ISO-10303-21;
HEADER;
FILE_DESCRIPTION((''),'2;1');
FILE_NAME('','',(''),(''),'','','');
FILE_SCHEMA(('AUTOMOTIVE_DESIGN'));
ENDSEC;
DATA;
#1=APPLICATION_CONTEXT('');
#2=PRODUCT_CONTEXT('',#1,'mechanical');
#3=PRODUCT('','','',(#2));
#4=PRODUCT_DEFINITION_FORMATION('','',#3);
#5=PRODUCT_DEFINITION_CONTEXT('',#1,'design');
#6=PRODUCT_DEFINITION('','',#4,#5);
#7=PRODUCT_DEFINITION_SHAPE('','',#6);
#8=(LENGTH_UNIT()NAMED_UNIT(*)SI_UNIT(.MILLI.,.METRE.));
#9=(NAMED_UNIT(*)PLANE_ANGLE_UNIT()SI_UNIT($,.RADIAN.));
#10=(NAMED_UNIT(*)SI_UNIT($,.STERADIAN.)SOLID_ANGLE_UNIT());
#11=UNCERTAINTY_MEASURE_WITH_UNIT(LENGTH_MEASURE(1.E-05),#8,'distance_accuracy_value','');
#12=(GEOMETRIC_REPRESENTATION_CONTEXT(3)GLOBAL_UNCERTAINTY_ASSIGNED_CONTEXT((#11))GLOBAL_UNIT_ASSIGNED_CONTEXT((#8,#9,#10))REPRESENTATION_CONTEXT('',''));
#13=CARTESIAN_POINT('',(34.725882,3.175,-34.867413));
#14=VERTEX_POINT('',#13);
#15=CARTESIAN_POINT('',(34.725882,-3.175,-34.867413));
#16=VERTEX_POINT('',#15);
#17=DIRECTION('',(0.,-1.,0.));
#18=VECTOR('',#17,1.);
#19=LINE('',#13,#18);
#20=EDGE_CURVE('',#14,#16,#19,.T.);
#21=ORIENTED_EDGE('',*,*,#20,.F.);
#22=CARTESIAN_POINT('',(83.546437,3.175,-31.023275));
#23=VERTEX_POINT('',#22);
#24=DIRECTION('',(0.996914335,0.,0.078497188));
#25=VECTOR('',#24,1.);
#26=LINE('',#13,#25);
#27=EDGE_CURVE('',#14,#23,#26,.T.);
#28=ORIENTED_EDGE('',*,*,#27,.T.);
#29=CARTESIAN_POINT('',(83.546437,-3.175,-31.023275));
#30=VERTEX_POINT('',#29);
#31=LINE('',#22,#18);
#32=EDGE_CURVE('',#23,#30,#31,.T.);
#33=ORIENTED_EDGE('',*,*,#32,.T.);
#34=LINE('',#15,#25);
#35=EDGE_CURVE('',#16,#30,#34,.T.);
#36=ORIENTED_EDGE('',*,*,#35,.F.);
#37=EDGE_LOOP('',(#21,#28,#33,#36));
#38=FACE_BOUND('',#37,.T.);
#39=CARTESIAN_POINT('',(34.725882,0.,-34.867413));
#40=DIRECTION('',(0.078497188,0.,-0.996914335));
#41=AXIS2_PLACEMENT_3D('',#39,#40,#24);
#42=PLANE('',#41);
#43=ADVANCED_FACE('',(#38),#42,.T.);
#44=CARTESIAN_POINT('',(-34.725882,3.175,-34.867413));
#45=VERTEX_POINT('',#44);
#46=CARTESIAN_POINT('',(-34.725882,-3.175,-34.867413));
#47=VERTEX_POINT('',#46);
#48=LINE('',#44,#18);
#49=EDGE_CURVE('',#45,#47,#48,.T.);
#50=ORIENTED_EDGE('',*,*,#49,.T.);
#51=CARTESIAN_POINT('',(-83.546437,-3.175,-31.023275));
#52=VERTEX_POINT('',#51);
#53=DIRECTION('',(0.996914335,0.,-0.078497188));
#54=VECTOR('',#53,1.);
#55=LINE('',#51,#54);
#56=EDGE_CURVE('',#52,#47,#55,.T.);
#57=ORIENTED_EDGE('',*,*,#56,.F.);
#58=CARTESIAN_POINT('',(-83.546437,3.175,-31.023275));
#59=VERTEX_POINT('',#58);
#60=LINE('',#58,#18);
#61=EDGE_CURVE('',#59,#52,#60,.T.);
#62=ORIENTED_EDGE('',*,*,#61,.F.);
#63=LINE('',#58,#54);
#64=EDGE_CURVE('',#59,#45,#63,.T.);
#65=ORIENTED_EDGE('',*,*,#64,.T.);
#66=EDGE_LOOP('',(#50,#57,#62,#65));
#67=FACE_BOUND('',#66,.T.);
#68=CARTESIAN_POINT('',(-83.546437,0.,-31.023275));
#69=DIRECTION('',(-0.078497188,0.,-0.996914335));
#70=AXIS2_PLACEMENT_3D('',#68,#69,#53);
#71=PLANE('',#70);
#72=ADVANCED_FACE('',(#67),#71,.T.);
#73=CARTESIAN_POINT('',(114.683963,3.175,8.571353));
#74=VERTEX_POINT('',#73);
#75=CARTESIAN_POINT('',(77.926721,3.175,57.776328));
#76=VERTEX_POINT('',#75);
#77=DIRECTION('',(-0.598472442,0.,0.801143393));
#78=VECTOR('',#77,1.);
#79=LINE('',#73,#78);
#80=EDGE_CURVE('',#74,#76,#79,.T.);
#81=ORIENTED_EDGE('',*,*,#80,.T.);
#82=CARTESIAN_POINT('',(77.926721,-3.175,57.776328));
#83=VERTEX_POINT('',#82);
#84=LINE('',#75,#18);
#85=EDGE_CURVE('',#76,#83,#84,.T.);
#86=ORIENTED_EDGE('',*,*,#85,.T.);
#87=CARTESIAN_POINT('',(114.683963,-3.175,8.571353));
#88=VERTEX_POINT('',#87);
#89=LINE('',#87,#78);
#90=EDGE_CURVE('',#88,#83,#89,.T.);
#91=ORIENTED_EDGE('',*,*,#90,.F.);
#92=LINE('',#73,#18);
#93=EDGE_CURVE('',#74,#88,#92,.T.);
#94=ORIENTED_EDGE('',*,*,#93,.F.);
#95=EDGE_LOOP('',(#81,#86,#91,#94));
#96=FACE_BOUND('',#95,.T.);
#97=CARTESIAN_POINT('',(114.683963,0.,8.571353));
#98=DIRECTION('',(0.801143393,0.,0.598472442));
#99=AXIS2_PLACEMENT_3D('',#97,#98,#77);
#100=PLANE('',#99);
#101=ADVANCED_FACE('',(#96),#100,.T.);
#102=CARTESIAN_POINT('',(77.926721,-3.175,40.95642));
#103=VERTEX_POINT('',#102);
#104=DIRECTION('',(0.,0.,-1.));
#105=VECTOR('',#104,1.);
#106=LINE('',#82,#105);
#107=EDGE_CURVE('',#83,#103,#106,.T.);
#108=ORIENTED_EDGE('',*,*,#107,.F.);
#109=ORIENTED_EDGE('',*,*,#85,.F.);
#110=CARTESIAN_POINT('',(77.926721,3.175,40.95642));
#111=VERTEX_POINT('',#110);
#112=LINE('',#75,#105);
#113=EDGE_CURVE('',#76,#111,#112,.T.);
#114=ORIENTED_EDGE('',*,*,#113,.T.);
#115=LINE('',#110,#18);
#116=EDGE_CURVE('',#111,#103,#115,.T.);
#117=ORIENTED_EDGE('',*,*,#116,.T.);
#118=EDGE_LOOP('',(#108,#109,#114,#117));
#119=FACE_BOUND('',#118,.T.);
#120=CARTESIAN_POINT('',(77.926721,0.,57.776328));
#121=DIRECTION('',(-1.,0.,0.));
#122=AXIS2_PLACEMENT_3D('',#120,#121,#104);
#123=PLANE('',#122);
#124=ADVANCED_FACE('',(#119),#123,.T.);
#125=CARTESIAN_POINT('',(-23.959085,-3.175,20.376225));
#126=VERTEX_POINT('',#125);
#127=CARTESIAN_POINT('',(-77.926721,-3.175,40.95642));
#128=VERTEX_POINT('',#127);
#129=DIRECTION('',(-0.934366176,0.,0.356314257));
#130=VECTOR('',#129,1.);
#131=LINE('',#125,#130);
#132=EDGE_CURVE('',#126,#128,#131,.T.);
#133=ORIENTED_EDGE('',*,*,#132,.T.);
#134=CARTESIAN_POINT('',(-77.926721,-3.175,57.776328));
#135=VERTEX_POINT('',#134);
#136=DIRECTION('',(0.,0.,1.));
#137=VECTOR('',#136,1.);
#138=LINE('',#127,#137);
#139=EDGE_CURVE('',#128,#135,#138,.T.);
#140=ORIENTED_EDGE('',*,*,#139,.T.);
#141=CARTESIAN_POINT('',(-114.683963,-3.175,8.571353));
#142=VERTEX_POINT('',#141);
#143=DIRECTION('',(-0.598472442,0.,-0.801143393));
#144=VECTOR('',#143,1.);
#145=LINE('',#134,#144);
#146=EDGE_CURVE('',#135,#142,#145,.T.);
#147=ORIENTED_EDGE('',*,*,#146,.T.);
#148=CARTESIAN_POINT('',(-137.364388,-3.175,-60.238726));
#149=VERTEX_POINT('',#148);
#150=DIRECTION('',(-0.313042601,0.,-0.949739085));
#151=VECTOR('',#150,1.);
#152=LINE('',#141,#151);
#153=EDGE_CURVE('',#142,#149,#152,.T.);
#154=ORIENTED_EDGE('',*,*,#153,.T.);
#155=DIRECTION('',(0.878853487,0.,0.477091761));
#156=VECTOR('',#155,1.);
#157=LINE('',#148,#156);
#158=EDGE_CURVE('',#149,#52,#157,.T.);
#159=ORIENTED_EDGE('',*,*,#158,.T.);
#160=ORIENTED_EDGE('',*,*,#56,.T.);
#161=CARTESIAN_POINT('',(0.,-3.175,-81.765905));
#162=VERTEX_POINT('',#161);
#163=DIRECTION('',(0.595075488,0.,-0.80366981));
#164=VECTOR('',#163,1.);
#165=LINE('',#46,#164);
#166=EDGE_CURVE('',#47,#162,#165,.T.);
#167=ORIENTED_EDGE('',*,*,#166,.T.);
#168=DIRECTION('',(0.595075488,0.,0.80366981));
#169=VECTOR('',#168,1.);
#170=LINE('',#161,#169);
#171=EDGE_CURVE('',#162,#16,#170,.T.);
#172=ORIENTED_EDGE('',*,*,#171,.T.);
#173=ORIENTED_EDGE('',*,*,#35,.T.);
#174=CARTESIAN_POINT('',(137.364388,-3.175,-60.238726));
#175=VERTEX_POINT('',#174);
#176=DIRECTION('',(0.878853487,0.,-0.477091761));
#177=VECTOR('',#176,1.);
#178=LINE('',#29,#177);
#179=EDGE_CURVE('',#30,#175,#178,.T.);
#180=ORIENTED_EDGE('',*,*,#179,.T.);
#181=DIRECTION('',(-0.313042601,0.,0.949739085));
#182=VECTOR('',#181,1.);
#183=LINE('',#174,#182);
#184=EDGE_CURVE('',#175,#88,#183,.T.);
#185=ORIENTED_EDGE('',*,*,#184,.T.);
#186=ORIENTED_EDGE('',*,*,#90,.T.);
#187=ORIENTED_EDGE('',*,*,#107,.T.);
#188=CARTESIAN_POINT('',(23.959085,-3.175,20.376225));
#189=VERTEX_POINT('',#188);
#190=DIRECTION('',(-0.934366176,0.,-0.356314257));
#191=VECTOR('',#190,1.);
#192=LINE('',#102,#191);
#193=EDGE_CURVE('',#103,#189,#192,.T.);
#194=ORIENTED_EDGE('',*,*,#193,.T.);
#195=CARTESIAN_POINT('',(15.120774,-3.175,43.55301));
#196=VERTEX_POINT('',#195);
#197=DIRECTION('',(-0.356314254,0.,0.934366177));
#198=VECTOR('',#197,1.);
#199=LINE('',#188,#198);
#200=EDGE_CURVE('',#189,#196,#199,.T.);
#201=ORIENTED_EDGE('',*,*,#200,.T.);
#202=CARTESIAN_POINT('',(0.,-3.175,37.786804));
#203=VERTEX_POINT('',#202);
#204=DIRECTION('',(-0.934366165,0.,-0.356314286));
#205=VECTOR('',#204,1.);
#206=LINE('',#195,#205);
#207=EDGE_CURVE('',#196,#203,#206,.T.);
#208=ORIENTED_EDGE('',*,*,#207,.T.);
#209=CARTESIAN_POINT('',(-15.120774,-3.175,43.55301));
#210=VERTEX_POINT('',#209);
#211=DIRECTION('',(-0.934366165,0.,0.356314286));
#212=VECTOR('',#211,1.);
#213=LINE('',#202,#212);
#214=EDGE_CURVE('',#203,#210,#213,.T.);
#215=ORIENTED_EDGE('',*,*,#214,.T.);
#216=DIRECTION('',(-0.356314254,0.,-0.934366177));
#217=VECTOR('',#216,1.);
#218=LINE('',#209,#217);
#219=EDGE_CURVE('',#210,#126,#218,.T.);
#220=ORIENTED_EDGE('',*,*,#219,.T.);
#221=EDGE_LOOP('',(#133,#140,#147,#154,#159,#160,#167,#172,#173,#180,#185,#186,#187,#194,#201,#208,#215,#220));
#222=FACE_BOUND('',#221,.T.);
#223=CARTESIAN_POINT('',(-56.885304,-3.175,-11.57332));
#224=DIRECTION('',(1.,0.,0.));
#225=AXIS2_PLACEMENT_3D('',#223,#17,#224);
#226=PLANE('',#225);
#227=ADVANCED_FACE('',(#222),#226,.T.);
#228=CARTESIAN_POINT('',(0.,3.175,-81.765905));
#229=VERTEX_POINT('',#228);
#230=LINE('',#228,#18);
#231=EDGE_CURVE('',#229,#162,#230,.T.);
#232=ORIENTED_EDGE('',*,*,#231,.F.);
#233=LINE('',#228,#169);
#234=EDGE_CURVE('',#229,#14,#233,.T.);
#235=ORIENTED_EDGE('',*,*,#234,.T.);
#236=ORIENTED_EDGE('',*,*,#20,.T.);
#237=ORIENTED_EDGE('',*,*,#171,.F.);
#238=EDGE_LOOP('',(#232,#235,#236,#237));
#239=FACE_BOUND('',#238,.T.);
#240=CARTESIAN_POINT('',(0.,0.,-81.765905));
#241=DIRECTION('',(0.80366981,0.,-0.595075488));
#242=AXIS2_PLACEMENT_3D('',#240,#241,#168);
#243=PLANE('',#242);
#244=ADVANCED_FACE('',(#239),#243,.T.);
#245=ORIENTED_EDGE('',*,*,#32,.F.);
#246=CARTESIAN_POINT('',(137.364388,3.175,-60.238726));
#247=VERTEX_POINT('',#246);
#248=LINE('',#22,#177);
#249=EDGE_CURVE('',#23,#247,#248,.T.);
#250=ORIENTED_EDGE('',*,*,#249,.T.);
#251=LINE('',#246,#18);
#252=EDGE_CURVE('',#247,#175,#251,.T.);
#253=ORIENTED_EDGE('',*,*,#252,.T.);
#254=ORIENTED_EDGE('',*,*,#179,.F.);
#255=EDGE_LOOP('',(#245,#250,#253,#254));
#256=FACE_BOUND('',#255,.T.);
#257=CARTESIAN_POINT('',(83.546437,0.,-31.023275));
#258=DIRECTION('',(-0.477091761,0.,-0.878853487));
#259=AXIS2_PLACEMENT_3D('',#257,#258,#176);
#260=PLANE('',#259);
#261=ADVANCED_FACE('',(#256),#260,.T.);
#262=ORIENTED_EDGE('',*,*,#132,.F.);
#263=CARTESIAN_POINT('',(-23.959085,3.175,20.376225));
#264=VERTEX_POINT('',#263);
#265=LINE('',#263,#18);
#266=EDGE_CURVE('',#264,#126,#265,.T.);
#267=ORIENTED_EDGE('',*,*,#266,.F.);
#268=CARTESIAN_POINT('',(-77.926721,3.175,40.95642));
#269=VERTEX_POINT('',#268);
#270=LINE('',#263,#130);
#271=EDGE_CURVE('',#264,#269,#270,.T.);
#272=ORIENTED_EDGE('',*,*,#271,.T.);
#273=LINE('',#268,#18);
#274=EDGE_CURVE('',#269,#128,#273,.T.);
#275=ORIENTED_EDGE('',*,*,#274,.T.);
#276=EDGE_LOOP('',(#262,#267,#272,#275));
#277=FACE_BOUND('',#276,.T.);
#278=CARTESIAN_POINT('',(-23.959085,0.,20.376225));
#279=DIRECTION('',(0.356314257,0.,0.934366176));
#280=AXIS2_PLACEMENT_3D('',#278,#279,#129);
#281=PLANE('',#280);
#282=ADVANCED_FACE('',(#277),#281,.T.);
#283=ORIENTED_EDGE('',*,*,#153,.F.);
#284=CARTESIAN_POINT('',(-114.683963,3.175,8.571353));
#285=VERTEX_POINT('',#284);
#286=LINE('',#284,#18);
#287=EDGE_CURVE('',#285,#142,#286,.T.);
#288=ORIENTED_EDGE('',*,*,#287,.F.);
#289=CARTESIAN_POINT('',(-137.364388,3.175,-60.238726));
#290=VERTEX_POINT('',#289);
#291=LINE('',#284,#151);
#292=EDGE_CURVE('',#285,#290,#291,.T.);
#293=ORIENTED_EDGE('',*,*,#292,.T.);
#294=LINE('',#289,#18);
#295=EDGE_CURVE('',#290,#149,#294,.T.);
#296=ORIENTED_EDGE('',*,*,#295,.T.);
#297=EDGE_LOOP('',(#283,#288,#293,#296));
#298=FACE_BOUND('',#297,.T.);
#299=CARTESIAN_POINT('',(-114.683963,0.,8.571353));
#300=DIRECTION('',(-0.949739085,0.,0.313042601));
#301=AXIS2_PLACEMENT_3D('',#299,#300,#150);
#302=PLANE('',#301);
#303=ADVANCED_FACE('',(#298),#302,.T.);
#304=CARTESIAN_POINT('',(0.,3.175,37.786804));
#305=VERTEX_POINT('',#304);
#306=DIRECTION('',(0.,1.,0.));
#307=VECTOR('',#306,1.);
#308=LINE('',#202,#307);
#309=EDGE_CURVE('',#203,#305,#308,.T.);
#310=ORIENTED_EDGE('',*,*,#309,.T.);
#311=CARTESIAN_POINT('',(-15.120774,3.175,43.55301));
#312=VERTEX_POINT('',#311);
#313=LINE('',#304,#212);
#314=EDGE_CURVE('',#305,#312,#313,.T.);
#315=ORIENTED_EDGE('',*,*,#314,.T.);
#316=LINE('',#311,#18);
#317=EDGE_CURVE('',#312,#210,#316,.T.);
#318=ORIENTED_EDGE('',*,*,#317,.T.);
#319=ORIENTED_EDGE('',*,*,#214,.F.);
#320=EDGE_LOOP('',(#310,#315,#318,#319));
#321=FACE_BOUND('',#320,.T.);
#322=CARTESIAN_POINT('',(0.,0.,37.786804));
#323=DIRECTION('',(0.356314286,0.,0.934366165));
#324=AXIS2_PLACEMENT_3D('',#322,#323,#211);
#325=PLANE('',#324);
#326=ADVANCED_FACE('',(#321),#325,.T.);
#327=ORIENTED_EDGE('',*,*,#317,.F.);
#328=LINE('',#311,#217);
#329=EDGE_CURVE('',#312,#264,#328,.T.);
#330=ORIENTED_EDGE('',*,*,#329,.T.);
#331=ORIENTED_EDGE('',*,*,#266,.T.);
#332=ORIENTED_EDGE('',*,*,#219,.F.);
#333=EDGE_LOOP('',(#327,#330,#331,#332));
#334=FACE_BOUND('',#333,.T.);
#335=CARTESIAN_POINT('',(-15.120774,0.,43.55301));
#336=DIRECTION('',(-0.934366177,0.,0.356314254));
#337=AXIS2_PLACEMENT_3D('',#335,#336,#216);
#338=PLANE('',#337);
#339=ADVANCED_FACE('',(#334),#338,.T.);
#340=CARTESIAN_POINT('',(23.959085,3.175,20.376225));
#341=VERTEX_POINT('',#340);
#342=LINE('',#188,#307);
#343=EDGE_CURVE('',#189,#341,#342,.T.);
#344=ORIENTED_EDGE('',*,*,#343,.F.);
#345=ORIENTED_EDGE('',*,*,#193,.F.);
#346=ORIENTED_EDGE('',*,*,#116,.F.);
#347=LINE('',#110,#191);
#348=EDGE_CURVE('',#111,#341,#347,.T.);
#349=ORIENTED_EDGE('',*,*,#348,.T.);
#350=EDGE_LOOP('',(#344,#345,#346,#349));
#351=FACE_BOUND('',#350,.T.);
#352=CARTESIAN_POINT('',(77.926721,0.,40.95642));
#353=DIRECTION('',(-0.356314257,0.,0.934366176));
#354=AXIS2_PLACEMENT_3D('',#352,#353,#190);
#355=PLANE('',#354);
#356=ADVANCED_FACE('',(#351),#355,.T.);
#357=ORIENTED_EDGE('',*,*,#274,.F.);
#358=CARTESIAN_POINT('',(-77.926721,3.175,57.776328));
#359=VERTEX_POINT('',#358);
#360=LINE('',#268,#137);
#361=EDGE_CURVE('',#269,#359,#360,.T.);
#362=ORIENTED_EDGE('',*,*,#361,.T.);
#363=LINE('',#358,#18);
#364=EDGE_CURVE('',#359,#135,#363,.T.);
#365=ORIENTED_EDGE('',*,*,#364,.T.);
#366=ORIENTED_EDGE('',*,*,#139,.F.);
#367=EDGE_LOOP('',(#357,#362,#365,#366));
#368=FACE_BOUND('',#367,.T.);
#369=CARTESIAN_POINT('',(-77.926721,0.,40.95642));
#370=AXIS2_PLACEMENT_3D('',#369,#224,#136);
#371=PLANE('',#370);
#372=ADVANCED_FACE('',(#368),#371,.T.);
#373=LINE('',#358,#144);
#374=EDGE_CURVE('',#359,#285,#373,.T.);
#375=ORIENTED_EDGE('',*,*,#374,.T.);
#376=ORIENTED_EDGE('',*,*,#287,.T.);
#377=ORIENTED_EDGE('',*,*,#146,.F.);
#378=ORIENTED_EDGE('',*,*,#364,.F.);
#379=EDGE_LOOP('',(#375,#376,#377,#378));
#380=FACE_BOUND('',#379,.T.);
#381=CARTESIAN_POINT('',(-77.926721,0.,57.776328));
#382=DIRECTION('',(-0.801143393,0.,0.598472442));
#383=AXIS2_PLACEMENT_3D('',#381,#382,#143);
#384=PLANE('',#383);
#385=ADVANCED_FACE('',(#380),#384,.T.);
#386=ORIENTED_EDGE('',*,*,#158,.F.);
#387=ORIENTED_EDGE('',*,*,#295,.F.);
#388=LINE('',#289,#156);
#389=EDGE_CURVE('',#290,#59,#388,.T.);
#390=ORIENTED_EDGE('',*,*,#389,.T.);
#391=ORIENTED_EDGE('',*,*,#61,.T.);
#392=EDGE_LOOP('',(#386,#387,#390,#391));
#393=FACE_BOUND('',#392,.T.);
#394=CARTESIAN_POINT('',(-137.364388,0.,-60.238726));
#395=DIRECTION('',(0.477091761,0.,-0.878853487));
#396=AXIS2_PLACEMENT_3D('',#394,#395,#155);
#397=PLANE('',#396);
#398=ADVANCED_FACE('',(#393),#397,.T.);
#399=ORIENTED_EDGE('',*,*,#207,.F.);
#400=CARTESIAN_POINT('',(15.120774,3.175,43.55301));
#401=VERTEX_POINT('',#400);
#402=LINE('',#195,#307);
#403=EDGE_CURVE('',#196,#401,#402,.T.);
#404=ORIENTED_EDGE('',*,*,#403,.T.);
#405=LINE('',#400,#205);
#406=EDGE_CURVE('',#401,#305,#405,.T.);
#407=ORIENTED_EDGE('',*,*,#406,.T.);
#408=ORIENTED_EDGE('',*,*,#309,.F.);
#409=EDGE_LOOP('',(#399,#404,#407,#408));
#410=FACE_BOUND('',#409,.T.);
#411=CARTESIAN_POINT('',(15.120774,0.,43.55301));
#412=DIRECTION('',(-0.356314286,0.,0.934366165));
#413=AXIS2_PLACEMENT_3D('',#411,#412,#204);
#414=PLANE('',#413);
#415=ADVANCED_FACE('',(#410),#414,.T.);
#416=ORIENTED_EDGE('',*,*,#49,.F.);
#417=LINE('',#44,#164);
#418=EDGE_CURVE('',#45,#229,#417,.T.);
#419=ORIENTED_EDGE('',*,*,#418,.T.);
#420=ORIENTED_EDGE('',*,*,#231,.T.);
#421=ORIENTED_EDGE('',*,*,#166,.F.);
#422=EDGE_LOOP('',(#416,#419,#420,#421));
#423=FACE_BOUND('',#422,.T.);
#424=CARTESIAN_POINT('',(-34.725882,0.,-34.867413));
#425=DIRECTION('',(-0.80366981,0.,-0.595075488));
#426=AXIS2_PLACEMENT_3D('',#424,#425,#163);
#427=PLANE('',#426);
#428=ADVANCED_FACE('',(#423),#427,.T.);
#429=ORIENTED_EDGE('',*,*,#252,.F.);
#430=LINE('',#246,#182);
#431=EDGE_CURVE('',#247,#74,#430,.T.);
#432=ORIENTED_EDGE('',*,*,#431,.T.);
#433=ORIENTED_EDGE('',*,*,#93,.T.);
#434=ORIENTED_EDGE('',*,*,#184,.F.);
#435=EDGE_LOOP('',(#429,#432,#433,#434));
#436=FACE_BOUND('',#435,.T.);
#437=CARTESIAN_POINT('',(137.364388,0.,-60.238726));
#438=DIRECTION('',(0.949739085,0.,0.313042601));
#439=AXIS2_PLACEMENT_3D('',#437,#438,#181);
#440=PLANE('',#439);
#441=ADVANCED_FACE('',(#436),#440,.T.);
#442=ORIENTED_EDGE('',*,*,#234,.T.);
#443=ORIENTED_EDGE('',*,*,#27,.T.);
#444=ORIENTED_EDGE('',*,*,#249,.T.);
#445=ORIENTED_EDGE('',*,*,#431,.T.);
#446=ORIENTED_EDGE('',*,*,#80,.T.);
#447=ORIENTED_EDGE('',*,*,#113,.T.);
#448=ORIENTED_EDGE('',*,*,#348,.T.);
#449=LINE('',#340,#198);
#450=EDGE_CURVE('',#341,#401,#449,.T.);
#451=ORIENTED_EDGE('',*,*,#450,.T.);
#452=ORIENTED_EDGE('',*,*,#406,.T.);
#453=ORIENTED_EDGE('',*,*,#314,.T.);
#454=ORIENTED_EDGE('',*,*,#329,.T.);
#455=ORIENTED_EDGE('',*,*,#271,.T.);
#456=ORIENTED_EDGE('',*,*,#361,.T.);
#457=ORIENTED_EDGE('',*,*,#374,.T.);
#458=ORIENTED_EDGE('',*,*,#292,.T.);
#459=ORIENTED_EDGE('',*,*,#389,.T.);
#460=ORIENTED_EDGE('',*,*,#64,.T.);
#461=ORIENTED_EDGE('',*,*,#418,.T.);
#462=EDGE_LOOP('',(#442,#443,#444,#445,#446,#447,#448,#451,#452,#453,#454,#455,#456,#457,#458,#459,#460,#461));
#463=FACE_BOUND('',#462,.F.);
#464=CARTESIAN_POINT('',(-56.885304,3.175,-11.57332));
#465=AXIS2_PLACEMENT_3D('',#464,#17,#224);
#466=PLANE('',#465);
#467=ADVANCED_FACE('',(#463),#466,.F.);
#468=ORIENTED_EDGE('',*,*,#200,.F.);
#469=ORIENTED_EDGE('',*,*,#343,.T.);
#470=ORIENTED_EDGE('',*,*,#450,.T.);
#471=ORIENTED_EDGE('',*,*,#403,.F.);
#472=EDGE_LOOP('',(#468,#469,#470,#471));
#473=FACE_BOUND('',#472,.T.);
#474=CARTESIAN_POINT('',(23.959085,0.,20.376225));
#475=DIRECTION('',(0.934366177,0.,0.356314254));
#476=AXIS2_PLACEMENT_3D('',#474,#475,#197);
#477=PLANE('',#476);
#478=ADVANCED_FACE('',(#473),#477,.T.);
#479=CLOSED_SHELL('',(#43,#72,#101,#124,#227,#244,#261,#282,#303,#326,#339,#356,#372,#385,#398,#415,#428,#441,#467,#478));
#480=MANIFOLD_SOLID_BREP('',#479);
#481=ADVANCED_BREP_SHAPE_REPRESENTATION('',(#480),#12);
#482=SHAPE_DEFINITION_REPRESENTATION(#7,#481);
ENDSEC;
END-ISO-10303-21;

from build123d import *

# Parameters (mm, degrees)
F1_DEPTH = 3.175


with BuildPart() as f1:
    # F0 (on Front) → F1 (new body, symmetric)
    with BuildSketch(Plane.XZ):
        Polygon((0, -81.765905), (0, 37.786804), (-15.120774, 43.55301), (-23.959085, 20.376225), (-77.926721, 40.95642), (-77.926721, 57.776328), (-114.683963, 8.571353), (-137.364388, -60.238726), (-83.546437, -31.023275), (-34.725882, -34.867413), align=None)
        Polygon((15.120774, 43.55301), (0, 37.786804), (0, -81.765905), (34.725882, -34.867413), (83.546437, -31.023275), (137.364388, -60.238726), (114.683963, 8.571353), (77.926721, 57.776328), (77.926721, 40.95642), (23.959085, 20.376225), align=None)
    extrude(amount=F1_DEPTH, both=True)


solid = f1.part
